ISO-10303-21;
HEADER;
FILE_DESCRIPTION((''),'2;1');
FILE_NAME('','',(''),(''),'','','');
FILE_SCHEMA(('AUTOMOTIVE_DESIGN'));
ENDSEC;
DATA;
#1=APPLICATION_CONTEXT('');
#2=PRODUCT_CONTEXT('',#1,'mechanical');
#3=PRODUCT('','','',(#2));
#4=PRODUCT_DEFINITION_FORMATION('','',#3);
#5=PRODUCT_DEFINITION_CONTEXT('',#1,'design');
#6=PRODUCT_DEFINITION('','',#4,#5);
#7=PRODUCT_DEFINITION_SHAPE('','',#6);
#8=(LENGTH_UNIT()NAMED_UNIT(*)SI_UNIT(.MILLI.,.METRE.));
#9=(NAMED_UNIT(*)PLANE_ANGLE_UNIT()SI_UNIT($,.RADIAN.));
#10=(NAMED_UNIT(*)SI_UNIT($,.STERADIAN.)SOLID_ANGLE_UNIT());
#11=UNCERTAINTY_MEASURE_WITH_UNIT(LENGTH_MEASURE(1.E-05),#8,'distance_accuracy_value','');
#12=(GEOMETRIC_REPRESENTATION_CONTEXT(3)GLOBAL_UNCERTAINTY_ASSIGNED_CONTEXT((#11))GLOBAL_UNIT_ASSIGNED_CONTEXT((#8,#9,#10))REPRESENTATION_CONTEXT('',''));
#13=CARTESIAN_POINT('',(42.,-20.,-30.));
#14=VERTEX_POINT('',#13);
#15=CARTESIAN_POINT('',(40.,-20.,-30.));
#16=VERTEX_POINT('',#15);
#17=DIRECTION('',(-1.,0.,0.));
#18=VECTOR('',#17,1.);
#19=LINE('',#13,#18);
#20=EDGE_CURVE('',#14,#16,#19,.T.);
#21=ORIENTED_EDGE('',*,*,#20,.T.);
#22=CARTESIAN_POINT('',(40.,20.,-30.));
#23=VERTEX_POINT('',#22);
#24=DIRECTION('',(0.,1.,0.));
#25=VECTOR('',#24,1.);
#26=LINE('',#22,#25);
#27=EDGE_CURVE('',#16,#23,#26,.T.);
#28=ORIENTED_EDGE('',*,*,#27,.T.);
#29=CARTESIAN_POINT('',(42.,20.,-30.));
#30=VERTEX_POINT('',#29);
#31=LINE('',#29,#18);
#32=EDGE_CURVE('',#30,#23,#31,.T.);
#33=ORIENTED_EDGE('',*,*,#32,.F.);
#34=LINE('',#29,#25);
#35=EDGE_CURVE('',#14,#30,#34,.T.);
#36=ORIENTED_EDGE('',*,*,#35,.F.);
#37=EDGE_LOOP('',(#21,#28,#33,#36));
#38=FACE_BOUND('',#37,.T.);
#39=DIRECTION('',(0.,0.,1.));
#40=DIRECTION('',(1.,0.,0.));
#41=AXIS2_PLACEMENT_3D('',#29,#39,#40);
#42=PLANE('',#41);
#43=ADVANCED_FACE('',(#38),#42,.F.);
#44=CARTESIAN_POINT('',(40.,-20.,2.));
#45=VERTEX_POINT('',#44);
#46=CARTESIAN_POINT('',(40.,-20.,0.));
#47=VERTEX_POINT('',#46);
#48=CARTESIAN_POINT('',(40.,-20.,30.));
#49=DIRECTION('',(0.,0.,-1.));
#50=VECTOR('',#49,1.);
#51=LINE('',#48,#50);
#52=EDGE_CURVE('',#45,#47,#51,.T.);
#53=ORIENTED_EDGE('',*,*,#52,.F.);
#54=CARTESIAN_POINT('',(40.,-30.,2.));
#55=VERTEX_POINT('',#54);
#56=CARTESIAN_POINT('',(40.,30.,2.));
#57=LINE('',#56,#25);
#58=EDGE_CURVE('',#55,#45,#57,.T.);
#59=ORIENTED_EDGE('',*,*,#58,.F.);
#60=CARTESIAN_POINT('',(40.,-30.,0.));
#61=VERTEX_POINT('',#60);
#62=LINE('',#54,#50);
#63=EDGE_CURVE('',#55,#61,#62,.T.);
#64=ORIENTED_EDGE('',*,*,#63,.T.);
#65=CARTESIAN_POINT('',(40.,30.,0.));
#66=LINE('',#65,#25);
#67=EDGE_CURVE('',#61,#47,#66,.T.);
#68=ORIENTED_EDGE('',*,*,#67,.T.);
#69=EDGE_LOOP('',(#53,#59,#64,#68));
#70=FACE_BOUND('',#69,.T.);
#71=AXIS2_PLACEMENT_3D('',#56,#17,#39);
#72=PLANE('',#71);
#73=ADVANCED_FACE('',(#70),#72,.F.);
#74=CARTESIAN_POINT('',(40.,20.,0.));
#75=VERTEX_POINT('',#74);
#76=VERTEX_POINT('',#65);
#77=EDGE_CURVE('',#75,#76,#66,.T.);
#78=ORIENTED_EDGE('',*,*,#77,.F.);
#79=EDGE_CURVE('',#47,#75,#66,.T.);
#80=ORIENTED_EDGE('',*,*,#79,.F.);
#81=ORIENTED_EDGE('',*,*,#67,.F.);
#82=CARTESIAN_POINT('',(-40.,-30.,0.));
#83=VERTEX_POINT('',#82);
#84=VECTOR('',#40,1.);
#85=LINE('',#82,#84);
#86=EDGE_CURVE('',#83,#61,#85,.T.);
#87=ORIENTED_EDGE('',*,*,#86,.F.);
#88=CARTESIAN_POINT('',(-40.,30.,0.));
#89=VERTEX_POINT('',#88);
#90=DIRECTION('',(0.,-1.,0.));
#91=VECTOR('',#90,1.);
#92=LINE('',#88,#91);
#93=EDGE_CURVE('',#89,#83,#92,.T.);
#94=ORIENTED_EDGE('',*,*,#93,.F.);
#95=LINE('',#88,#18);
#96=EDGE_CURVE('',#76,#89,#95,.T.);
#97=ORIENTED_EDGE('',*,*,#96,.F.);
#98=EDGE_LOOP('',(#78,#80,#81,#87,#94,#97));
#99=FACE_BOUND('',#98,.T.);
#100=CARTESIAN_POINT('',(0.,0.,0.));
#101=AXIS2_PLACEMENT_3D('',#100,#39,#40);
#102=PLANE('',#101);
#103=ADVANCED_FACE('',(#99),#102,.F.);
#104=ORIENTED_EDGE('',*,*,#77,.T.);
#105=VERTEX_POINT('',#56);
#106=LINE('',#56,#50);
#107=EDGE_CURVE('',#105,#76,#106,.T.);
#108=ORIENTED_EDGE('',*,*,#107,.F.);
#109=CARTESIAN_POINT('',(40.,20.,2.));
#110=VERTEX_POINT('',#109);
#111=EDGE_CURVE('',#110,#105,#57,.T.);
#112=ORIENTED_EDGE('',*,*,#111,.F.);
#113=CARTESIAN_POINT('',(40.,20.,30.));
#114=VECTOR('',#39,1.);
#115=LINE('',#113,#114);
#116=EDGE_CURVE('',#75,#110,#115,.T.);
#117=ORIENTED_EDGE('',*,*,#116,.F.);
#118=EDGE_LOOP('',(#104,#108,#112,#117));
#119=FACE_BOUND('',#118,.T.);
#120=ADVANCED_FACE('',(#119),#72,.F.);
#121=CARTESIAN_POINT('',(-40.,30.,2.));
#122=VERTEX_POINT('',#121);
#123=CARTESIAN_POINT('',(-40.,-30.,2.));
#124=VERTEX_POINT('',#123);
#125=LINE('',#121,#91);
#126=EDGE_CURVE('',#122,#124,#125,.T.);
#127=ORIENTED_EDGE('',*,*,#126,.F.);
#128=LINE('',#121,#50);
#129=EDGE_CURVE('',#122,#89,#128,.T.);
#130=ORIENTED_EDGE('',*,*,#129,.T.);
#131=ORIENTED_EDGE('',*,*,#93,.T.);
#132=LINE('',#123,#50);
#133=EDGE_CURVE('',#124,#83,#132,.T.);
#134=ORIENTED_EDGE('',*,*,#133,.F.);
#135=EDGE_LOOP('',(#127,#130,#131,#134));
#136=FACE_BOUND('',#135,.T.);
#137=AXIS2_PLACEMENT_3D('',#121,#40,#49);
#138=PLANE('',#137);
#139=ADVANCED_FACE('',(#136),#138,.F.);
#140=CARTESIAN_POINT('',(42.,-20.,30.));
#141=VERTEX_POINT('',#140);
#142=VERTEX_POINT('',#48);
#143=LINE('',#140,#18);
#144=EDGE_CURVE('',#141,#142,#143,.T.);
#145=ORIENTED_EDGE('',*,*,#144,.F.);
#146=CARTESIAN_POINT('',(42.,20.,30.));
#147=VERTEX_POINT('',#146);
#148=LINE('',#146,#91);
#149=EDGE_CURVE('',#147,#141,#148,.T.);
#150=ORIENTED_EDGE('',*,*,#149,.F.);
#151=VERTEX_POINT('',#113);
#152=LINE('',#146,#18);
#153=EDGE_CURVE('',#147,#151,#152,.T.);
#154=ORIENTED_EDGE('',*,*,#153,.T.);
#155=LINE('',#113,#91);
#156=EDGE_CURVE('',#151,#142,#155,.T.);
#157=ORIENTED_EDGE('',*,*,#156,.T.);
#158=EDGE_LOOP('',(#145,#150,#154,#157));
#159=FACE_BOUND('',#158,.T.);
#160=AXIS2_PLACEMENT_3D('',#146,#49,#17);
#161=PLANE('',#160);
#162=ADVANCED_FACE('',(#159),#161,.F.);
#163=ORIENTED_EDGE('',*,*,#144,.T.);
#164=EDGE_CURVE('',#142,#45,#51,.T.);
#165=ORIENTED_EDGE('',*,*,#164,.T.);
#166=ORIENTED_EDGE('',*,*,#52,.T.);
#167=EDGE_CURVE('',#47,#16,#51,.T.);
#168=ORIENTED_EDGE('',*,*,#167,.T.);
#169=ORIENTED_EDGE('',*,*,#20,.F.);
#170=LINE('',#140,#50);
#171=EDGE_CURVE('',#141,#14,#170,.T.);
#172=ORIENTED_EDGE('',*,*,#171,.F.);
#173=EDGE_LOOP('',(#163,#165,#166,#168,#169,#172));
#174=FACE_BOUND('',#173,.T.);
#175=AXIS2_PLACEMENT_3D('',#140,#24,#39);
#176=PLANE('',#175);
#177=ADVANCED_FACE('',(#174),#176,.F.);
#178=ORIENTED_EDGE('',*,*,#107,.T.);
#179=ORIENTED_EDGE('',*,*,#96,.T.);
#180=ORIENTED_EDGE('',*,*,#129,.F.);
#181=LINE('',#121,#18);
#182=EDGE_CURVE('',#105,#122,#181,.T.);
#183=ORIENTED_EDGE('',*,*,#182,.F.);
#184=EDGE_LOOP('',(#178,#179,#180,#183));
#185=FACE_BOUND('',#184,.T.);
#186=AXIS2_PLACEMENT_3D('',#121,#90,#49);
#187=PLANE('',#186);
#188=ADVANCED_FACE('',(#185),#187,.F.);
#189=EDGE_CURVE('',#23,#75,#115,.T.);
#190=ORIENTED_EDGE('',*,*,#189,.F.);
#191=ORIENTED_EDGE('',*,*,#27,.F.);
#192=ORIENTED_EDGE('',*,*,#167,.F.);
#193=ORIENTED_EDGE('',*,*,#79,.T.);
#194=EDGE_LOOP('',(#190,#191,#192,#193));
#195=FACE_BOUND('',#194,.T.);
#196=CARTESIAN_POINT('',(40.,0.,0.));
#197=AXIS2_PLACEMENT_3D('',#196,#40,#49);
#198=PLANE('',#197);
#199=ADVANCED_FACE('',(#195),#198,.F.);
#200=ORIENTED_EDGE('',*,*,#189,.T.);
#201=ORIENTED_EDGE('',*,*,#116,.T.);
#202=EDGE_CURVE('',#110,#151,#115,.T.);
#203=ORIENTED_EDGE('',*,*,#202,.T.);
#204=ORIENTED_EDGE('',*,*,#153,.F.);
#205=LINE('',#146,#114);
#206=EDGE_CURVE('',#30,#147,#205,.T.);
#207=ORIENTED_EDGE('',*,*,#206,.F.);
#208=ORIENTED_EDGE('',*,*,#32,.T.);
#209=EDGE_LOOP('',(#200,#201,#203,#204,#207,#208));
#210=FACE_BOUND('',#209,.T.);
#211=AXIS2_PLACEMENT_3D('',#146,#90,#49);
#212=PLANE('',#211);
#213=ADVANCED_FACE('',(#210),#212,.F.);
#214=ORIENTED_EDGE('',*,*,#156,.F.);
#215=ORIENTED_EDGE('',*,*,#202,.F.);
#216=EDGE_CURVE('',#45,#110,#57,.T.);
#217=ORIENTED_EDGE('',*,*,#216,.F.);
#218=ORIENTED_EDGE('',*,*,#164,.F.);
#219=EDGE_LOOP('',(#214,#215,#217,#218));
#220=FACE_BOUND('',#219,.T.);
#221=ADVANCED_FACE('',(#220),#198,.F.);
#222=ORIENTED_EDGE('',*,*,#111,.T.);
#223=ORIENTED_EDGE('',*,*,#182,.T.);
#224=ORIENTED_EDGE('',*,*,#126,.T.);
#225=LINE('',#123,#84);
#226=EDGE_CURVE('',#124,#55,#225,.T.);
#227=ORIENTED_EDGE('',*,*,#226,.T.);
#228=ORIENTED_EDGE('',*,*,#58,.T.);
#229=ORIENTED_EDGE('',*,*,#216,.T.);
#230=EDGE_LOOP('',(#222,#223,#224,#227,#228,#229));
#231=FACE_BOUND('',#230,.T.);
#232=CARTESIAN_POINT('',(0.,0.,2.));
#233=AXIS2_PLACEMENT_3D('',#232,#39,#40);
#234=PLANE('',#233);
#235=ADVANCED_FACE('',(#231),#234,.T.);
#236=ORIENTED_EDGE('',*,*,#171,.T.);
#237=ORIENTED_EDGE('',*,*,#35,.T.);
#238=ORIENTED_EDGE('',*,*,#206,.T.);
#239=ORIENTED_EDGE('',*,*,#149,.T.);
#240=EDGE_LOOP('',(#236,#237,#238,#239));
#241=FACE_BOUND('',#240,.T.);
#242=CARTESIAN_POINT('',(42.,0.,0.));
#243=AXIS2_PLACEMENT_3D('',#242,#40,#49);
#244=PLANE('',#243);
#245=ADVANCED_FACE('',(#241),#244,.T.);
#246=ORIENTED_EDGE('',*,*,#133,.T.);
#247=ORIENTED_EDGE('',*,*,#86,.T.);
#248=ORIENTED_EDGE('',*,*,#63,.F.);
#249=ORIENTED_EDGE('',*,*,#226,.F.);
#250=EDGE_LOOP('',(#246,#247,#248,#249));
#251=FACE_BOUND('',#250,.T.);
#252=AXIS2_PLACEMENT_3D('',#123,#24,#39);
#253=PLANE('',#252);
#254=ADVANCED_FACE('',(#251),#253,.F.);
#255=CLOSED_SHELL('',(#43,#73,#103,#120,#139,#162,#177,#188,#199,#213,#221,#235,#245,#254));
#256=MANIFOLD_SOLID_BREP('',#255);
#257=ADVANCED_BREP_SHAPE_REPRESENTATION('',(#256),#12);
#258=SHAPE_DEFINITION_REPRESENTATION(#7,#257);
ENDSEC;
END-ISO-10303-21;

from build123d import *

# Parameters (mm, degrees)
SKETCH_2_W      = 80
SKETCH_2_H      = 60
EXTRUDE_1_DEPTH = 2
SKETCH_3_W      = 60
SKETCH_3_H      = 40
EXTRUDE_2_DEPTH = 2


with BuildPart() as part:
    # 草图2 → 凸台-拉伸1 (new body)
    with BuildSketch(Plane.XY):
        Rectangle(SKETCH_2_W, SKETCH_2_H)
    extrude(amount=EXTRUDE_1_DEPTH)

    # 草图3 → 凸台-拉伸2 (add)
    with BuildSketch(Plane(origin=(40, 0, 0), x_dir=(0, 0, -1), z_dir=(1, 0, 0))):
        Rectangle(SKETCH_3_W, SKETCH_3_H)
    extrude(amount=EXTRUDE_2_DEPTH)


solid = part.part
